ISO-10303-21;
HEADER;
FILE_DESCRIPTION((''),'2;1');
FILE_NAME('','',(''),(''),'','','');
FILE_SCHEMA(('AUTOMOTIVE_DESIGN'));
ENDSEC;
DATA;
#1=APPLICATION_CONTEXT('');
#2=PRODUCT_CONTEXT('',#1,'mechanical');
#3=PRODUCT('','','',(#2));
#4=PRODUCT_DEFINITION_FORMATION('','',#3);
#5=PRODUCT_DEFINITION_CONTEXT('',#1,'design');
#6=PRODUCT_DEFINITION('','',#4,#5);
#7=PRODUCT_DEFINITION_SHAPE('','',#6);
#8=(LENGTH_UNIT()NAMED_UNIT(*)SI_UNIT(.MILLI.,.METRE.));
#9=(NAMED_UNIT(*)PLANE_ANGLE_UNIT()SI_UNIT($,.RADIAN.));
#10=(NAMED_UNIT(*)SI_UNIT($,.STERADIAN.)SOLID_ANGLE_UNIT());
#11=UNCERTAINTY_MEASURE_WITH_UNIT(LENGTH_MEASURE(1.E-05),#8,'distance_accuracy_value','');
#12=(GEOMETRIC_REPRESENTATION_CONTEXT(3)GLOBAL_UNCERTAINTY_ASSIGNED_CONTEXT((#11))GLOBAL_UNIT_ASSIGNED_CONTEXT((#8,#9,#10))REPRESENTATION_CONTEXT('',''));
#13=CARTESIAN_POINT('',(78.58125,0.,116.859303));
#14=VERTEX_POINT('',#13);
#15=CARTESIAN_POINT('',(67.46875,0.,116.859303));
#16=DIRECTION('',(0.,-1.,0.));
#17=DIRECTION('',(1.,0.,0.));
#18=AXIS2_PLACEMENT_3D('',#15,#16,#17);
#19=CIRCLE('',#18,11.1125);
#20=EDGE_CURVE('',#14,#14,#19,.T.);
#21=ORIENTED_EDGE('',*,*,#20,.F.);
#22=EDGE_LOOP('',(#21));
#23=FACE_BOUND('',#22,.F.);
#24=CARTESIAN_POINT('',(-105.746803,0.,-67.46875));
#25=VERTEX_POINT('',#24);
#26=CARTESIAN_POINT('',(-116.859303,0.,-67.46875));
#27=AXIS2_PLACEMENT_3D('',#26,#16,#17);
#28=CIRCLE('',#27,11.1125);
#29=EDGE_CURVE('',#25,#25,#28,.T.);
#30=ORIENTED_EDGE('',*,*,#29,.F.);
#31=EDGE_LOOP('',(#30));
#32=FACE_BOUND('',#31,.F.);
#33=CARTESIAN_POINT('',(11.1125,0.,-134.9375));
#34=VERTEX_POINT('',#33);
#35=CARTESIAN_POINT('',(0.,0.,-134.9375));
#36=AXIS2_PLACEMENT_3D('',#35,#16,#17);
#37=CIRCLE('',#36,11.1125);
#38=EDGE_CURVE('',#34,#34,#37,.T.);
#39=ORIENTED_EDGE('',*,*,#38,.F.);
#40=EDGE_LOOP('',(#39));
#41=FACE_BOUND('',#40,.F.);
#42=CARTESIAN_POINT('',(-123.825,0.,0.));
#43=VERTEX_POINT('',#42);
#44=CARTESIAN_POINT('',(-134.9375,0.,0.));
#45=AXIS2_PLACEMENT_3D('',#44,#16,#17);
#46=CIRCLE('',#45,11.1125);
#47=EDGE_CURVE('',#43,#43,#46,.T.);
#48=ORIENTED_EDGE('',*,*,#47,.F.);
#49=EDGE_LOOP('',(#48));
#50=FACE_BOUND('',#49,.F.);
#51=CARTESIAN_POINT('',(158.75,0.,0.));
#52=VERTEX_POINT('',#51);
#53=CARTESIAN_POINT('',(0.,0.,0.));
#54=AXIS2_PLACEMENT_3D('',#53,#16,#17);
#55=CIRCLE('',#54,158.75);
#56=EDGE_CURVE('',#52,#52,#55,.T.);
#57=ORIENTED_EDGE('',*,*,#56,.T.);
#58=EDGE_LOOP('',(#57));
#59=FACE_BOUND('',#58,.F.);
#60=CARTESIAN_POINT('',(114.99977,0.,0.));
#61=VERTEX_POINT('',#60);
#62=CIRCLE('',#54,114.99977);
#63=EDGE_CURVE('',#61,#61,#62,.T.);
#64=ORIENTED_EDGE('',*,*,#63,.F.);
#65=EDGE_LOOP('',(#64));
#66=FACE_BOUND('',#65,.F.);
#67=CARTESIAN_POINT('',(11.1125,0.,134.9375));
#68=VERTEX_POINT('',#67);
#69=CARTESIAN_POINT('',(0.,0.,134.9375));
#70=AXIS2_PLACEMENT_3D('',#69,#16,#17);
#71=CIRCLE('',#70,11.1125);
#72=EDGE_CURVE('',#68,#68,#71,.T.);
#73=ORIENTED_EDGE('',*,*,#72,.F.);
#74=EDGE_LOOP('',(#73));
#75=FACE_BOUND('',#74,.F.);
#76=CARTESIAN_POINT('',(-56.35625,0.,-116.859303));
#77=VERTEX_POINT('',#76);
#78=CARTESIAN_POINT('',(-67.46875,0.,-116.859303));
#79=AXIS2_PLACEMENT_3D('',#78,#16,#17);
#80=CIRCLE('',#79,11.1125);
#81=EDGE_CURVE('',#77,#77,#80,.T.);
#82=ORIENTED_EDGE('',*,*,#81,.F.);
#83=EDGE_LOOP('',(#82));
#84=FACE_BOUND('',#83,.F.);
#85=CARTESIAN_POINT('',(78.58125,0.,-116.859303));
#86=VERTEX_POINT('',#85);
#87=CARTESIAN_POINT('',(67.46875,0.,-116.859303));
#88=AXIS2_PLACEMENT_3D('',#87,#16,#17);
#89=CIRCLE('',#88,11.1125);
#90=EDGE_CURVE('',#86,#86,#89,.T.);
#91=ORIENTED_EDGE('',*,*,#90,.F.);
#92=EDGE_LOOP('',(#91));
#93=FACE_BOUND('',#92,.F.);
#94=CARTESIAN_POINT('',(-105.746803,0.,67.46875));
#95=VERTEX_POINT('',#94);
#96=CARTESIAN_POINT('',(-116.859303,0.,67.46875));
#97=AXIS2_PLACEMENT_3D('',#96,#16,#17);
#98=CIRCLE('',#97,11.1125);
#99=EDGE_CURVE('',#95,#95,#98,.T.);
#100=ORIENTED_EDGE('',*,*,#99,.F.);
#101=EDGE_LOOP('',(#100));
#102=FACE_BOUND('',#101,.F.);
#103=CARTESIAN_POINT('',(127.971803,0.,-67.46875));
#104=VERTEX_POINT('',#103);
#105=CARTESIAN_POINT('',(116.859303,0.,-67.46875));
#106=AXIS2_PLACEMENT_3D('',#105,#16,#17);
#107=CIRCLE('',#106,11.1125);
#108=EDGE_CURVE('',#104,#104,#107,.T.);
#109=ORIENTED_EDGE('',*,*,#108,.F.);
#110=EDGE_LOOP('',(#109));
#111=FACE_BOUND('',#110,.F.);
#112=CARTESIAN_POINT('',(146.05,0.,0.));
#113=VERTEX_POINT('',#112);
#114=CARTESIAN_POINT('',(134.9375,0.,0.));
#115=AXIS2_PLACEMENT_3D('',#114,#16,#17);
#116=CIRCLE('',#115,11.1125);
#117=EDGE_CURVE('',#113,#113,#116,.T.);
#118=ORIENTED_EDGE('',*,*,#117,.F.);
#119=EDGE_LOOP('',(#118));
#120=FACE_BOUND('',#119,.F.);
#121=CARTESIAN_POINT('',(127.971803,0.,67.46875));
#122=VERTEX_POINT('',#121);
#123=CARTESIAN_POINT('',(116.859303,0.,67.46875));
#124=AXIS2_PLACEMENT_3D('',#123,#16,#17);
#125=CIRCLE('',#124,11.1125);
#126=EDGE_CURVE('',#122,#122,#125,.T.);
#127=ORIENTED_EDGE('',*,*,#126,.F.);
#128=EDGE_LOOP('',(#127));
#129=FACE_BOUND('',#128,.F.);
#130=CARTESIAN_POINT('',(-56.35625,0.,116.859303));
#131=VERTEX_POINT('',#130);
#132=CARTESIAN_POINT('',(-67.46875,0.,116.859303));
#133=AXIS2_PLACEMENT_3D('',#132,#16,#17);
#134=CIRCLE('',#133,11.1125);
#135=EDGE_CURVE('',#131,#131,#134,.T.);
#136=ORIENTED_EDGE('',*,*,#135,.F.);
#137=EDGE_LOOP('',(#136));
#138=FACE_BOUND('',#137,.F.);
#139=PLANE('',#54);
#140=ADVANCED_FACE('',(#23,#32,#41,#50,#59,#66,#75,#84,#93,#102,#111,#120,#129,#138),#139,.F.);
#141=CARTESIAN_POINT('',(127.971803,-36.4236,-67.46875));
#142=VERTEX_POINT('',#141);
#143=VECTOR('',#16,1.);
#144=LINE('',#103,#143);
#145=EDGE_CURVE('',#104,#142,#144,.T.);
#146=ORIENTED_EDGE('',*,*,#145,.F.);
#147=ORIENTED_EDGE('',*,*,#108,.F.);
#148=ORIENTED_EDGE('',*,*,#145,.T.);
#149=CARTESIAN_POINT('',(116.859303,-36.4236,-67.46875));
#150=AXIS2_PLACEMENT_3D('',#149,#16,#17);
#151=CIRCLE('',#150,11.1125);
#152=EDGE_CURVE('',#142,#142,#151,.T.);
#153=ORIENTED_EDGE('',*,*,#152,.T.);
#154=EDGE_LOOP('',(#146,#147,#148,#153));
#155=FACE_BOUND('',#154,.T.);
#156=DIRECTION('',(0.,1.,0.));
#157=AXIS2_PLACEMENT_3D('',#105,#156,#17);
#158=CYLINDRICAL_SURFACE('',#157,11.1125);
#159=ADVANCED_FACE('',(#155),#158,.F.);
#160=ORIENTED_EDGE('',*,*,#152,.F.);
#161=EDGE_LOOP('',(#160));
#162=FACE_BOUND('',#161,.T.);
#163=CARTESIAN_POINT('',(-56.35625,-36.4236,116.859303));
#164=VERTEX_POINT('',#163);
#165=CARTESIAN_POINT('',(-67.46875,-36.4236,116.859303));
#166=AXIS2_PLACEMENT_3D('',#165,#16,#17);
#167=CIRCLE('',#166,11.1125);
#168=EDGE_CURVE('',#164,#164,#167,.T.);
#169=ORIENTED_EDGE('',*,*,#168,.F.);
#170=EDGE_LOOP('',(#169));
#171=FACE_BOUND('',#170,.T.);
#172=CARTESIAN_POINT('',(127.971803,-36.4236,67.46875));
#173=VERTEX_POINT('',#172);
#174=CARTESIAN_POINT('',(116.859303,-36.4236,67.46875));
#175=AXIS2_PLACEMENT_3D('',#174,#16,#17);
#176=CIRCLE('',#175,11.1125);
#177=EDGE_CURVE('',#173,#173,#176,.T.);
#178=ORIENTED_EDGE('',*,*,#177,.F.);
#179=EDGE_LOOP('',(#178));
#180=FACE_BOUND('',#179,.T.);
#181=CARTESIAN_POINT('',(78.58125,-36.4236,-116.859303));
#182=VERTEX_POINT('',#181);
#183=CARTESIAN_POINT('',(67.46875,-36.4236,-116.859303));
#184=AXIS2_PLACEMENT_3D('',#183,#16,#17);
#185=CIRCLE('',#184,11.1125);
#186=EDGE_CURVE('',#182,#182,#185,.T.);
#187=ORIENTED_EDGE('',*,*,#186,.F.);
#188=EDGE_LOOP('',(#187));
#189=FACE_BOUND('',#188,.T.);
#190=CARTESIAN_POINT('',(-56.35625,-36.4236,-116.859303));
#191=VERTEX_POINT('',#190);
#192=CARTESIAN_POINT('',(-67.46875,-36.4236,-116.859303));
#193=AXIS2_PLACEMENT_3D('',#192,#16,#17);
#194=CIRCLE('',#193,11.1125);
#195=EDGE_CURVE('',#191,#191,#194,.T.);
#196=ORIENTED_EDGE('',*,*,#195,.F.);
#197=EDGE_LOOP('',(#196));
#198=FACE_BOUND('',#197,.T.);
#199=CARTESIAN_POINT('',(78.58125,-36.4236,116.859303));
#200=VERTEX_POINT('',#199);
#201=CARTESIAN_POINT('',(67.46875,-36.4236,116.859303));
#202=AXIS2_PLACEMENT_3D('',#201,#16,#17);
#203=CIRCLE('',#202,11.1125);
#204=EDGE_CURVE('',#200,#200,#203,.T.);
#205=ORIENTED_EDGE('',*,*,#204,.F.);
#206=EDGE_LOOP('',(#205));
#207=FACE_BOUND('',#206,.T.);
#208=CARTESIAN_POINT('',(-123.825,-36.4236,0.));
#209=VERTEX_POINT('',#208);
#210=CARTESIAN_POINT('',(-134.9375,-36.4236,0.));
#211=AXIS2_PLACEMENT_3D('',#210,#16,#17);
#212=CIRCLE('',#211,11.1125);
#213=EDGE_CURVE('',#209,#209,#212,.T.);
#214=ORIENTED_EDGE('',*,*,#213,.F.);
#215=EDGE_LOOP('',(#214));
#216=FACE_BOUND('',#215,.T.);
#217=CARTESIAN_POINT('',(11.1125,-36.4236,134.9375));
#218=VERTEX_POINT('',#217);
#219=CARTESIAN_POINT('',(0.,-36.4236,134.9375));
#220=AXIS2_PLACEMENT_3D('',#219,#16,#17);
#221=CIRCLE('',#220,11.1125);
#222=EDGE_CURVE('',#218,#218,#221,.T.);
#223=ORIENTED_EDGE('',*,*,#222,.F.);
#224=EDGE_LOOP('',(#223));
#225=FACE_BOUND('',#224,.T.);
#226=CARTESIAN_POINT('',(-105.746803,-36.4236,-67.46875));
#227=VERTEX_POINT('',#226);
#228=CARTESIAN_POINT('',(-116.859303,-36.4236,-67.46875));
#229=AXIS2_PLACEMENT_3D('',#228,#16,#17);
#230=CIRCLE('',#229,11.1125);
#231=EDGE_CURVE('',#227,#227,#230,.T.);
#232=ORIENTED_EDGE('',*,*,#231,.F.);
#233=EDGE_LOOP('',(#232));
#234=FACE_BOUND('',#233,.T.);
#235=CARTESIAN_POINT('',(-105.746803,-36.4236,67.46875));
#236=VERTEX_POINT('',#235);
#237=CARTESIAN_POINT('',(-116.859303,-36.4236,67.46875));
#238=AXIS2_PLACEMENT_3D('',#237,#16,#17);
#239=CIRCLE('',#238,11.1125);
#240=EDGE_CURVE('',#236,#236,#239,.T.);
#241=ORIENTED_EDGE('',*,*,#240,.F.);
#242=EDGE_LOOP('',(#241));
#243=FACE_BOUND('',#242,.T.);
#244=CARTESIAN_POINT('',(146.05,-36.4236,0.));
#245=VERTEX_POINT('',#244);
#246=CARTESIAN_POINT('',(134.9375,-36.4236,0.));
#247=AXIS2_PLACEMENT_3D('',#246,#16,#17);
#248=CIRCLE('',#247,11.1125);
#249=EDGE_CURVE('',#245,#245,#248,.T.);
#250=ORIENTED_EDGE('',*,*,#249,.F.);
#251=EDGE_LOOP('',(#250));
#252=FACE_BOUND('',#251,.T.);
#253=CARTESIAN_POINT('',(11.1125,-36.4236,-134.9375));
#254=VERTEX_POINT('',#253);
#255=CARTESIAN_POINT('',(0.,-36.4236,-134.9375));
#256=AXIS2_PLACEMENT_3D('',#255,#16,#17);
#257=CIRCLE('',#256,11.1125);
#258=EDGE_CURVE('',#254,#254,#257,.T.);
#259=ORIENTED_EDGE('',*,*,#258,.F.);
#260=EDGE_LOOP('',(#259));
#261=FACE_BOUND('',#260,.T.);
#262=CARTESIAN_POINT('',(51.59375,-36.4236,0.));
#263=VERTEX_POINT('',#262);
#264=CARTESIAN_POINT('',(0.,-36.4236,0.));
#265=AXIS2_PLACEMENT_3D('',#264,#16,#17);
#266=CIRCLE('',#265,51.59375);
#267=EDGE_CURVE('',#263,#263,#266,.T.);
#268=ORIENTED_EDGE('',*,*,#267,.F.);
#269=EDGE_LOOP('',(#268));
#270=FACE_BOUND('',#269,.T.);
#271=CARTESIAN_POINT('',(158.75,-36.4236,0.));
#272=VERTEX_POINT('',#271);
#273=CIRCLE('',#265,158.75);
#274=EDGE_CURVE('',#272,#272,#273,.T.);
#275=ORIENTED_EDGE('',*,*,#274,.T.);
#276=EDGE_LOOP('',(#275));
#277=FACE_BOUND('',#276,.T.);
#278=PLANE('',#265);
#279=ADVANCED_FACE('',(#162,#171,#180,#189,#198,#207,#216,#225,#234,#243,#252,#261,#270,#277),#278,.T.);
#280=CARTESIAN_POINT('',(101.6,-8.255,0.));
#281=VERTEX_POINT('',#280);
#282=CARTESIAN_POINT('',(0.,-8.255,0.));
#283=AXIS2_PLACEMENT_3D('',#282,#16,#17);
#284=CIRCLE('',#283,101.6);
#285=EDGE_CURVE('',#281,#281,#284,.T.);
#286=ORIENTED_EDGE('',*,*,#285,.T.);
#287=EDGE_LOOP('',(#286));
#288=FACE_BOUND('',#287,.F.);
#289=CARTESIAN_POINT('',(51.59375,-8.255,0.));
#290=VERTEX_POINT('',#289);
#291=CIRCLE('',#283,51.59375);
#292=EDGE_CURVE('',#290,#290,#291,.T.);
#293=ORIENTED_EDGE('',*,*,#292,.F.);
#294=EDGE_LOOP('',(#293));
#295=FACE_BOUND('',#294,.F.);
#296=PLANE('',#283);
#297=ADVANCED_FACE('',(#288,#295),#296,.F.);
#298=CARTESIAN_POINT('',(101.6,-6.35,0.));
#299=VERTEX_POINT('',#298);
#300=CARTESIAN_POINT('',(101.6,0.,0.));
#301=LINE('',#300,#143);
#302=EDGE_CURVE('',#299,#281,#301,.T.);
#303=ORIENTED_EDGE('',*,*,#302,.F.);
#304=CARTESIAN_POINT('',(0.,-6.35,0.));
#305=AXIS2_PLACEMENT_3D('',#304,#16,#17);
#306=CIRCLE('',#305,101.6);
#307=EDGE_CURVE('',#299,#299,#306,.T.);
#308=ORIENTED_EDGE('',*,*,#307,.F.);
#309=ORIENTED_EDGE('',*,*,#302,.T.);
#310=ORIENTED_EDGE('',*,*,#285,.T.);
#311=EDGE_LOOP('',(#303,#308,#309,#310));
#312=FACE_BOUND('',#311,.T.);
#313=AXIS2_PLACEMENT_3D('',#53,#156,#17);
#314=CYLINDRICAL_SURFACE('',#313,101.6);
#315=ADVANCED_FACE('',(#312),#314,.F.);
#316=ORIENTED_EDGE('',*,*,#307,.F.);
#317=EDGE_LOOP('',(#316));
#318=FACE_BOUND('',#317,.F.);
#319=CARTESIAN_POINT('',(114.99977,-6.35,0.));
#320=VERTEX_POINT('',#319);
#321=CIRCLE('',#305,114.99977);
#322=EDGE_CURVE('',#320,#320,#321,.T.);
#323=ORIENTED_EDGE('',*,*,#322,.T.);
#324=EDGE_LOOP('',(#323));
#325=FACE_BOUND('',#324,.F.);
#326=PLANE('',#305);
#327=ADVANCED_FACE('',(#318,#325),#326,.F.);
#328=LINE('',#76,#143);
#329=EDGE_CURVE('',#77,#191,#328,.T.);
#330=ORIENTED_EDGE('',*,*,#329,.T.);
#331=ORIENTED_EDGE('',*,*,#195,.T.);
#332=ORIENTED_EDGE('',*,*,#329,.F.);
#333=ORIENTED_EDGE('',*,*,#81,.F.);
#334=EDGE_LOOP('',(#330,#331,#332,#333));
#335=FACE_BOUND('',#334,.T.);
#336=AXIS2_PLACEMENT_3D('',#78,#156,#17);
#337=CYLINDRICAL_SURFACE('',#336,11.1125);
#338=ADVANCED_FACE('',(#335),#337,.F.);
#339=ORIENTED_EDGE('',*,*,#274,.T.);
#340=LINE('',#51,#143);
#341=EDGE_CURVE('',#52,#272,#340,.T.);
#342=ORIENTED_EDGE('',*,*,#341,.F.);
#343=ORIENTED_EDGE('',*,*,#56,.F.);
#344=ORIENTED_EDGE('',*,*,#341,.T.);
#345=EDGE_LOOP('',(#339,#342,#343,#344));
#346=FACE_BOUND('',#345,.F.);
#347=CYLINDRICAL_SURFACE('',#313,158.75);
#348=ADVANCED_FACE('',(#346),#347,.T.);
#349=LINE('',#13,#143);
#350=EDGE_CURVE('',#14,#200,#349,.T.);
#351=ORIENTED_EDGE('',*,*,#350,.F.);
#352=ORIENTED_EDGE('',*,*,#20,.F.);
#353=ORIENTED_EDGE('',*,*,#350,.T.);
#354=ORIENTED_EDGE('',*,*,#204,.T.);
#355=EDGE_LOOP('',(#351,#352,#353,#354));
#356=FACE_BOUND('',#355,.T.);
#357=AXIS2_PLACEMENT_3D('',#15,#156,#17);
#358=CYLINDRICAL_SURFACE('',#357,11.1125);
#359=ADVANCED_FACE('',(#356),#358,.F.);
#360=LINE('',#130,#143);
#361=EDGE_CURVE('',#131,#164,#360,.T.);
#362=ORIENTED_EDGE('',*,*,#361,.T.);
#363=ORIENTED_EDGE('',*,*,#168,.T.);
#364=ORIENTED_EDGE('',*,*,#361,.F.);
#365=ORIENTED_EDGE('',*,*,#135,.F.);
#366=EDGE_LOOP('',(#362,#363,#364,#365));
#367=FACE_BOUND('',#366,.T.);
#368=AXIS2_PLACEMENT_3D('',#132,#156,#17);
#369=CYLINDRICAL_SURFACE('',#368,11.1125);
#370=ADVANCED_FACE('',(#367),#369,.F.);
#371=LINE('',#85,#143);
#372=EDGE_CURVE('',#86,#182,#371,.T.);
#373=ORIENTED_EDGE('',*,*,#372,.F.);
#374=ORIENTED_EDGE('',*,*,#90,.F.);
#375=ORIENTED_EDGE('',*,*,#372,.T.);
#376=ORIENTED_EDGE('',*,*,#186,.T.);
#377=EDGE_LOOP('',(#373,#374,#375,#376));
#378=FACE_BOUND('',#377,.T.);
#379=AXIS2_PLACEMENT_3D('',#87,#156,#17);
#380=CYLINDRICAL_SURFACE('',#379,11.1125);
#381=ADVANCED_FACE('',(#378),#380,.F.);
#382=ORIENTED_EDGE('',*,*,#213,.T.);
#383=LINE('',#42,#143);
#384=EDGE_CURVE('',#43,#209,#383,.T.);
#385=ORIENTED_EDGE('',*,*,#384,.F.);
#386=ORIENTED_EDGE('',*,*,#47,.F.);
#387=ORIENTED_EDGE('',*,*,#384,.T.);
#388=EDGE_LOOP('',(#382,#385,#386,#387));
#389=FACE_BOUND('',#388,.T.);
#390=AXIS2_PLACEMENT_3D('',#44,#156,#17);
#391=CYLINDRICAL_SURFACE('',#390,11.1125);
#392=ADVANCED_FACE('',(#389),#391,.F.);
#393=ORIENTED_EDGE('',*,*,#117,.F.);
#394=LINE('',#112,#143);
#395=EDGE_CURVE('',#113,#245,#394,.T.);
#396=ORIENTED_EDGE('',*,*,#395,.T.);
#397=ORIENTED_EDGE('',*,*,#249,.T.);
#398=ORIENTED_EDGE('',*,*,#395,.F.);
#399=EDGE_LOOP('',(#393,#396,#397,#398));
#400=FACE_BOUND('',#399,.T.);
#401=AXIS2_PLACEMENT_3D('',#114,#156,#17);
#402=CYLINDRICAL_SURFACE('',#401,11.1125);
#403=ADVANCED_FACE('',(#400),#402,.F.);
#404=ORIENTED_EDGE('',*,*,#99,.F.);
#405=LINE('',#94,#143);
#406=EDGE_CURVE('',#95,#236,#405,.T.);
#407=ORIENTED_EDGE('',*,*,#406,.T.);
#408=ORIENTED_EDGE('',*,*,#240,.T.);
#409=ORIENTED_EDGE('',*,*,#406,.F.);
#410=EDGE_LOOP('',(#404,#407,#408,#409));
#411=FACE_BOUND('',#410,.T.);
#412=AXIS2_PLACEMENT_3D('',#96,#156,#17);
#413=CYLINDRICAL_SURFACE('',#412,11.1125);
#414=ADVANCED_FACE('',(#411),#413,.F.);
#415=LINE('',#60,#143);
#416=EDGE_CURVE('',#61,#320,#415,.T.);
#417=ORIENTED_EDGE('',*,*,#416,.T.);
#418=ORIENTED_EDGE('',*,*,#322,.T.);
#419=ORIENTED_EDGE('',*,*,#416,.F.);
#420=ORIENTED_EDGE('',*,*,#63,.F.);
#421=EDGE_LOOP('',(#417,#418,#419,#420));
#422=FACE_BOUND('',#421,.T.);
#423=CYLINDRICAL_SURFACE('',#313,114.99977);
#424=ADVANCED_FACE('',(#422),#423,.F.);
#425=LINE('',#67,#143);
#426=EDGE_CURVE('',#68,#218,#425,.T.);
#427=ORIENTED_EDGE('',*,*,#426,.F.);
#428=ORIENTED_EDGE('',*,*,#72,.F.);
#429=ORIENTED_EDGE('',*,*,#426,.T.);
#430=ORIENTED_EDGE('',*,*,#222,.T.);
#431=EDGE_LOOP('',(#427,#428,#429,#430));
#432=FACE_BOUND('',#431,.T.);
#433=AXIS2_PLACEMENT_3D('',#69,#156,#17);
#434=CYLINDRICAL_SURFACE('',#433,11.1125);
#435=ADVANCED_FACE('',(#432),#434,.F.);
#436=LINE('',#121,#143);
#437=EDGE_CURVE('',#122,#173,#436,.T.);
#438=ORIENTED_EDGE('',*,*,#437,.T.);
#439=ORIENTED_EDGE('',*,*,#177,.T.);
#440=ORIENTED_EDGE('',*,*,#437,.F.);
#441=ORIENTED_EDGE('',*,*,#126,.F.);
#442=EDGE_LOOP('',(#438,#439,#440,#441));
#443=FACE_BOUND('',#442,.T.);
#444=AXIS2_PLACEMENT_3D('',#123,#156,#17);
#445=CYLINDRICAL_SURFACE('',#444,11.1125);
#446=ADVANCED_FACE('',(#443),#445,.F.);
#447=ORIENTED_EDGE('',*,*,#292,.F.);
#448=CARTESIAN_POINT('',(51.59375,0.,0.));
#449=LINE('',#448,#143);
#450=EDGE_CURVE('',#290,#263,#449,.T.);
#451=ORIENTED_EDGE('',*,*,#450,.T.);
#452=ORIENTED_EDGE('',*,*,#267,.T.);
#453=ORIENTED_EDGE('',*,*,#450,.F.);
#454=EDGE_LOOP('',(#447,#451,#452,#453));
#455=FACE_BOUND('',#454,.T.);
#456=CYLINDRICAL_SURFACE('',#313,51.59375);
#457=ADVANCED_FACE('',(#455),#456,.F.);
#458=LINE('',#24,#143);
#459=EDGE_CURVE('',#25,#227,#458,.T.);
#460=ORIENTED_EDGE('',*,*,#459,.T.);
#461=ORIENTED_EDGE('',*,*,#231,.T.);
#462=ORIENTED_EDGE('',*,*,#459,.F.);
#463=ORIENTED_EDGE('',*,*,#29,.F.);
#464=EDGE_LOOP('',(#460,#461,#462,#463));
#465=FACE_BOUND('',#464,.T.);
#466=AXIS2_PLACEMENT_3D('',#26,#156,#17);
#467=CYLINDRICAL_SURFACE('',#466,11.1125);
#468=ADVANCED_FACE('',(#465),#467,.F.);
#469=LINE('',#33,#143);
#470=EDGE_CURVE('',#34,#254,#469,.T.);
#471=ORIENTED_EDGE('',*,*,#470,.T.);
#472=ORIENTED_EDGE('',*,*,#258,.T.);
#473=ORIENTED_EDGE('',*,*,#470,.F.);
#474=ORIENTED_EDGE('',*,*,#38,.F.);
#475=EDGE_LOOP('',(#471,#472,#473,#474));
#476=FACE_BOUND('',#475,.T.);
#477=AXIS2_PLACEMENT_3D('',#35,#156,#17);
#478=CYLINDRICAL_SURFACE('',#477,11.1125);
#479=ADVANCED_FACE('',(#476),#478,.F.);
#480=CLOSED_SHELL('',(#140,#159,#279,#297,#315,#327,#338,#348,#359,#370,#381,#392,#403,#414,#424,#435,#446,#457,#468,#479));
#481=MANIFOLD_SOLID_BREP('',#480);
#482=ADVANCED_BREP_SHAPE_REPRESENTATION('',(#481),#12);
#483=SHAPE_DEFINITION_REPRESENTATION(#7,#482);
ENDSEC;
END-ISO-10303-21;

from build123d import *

# Parameters (mm, degrees)
F0_R     = 158.75
F0_R_2   = 11.1125
F1_DEPTH = 36.4236
F2_R     = 114.99977
F2_R_2   = 101.6
F3_DEPTH = 6.35
F2_R_3   = 51.59375
F4_DEPTH = 8.255
F5_DEPTH = 36.4236


with BuildPart() as f1:
    # F0 (on Front) → F1 (new body)
    with BuildSketch(Plane.XZ):
        Circle(F0_R)
        with Locations((-67.46875, -116.859303)):
            Circle(F0_R_2, mode=Mode.SUBTRACT)
        with Locations((-116.859303, -67.46875)):
            Circle(F0_R_2, mode=Mode.SUBTRACT)
        with Locations((0, -134.9375)):
            Circle(F0_R_2, mode=Mode.SUBTRACT)
        with Locations((67.46875, -116.859303)):
            Circle(F0_R_2, mode=Mode.SUBTRACT)
        with Locations((116.859303, -67.46875)):
            Circle(F0_R_2, mode=Mode.SUBTRACT)
        with Locations((-134.9375, 0)):
            Circle(F0_R_2, mode=Mode.SUBTRACT)
        with Locations((-116.859303, 67.46875)):
            Circle(F0_R_2, mode=Mode.SUBTRACT)
        with Locations((-67.46875, 116.859303)):
            Circle(F0_R_2, mode=Mode.SUBTRACT)
        with Locations((134.9375, 0)):
            Circle(F0_R_2, mode=Mode.SUBTRACT)
        with Locations((116.859303, 67.46875)):
            Circle(F0_R_2, mode=Mode.SUBTRACT)
        with Locations((67.46875, 116.859303)):
            Circle(F0_R_2, mode=Mode.SUBTRACT)
        with Locations((0, 134.9375)):
            Circle(F0_R_2, mode=Mode.SUBTRACT)
    extrude(amount=F1_DEPTH)

    # F2 (on face) → F3 (cut)
    with BuildSketch(Plane.XZ):
        Circle(F2_R)
        Circle(F2_R_2, mode=Mode.SUBTRACT)
    extrude(amount=F3_DEPTH, mode=Mode.SUBTRACT)

    # F2 (on face) → F4 (cut)
    with BuildSketch(Plane.XZ):
        Circle(F2_R_2)
        Circle(F2_R_3, mode=Mode.SUBTRACT)
    extrude(amount=F4_DEPTH, mode=Mode.SUBTRACT)

    # F2 (on face) → F5 (cut)
    with BuildSketch(Plane.XZ):
        Circle(F2_R_3)
    extrude(amount=F5_DEPTH, mode=Mode.SUBTRACT)


solid = f1.part
